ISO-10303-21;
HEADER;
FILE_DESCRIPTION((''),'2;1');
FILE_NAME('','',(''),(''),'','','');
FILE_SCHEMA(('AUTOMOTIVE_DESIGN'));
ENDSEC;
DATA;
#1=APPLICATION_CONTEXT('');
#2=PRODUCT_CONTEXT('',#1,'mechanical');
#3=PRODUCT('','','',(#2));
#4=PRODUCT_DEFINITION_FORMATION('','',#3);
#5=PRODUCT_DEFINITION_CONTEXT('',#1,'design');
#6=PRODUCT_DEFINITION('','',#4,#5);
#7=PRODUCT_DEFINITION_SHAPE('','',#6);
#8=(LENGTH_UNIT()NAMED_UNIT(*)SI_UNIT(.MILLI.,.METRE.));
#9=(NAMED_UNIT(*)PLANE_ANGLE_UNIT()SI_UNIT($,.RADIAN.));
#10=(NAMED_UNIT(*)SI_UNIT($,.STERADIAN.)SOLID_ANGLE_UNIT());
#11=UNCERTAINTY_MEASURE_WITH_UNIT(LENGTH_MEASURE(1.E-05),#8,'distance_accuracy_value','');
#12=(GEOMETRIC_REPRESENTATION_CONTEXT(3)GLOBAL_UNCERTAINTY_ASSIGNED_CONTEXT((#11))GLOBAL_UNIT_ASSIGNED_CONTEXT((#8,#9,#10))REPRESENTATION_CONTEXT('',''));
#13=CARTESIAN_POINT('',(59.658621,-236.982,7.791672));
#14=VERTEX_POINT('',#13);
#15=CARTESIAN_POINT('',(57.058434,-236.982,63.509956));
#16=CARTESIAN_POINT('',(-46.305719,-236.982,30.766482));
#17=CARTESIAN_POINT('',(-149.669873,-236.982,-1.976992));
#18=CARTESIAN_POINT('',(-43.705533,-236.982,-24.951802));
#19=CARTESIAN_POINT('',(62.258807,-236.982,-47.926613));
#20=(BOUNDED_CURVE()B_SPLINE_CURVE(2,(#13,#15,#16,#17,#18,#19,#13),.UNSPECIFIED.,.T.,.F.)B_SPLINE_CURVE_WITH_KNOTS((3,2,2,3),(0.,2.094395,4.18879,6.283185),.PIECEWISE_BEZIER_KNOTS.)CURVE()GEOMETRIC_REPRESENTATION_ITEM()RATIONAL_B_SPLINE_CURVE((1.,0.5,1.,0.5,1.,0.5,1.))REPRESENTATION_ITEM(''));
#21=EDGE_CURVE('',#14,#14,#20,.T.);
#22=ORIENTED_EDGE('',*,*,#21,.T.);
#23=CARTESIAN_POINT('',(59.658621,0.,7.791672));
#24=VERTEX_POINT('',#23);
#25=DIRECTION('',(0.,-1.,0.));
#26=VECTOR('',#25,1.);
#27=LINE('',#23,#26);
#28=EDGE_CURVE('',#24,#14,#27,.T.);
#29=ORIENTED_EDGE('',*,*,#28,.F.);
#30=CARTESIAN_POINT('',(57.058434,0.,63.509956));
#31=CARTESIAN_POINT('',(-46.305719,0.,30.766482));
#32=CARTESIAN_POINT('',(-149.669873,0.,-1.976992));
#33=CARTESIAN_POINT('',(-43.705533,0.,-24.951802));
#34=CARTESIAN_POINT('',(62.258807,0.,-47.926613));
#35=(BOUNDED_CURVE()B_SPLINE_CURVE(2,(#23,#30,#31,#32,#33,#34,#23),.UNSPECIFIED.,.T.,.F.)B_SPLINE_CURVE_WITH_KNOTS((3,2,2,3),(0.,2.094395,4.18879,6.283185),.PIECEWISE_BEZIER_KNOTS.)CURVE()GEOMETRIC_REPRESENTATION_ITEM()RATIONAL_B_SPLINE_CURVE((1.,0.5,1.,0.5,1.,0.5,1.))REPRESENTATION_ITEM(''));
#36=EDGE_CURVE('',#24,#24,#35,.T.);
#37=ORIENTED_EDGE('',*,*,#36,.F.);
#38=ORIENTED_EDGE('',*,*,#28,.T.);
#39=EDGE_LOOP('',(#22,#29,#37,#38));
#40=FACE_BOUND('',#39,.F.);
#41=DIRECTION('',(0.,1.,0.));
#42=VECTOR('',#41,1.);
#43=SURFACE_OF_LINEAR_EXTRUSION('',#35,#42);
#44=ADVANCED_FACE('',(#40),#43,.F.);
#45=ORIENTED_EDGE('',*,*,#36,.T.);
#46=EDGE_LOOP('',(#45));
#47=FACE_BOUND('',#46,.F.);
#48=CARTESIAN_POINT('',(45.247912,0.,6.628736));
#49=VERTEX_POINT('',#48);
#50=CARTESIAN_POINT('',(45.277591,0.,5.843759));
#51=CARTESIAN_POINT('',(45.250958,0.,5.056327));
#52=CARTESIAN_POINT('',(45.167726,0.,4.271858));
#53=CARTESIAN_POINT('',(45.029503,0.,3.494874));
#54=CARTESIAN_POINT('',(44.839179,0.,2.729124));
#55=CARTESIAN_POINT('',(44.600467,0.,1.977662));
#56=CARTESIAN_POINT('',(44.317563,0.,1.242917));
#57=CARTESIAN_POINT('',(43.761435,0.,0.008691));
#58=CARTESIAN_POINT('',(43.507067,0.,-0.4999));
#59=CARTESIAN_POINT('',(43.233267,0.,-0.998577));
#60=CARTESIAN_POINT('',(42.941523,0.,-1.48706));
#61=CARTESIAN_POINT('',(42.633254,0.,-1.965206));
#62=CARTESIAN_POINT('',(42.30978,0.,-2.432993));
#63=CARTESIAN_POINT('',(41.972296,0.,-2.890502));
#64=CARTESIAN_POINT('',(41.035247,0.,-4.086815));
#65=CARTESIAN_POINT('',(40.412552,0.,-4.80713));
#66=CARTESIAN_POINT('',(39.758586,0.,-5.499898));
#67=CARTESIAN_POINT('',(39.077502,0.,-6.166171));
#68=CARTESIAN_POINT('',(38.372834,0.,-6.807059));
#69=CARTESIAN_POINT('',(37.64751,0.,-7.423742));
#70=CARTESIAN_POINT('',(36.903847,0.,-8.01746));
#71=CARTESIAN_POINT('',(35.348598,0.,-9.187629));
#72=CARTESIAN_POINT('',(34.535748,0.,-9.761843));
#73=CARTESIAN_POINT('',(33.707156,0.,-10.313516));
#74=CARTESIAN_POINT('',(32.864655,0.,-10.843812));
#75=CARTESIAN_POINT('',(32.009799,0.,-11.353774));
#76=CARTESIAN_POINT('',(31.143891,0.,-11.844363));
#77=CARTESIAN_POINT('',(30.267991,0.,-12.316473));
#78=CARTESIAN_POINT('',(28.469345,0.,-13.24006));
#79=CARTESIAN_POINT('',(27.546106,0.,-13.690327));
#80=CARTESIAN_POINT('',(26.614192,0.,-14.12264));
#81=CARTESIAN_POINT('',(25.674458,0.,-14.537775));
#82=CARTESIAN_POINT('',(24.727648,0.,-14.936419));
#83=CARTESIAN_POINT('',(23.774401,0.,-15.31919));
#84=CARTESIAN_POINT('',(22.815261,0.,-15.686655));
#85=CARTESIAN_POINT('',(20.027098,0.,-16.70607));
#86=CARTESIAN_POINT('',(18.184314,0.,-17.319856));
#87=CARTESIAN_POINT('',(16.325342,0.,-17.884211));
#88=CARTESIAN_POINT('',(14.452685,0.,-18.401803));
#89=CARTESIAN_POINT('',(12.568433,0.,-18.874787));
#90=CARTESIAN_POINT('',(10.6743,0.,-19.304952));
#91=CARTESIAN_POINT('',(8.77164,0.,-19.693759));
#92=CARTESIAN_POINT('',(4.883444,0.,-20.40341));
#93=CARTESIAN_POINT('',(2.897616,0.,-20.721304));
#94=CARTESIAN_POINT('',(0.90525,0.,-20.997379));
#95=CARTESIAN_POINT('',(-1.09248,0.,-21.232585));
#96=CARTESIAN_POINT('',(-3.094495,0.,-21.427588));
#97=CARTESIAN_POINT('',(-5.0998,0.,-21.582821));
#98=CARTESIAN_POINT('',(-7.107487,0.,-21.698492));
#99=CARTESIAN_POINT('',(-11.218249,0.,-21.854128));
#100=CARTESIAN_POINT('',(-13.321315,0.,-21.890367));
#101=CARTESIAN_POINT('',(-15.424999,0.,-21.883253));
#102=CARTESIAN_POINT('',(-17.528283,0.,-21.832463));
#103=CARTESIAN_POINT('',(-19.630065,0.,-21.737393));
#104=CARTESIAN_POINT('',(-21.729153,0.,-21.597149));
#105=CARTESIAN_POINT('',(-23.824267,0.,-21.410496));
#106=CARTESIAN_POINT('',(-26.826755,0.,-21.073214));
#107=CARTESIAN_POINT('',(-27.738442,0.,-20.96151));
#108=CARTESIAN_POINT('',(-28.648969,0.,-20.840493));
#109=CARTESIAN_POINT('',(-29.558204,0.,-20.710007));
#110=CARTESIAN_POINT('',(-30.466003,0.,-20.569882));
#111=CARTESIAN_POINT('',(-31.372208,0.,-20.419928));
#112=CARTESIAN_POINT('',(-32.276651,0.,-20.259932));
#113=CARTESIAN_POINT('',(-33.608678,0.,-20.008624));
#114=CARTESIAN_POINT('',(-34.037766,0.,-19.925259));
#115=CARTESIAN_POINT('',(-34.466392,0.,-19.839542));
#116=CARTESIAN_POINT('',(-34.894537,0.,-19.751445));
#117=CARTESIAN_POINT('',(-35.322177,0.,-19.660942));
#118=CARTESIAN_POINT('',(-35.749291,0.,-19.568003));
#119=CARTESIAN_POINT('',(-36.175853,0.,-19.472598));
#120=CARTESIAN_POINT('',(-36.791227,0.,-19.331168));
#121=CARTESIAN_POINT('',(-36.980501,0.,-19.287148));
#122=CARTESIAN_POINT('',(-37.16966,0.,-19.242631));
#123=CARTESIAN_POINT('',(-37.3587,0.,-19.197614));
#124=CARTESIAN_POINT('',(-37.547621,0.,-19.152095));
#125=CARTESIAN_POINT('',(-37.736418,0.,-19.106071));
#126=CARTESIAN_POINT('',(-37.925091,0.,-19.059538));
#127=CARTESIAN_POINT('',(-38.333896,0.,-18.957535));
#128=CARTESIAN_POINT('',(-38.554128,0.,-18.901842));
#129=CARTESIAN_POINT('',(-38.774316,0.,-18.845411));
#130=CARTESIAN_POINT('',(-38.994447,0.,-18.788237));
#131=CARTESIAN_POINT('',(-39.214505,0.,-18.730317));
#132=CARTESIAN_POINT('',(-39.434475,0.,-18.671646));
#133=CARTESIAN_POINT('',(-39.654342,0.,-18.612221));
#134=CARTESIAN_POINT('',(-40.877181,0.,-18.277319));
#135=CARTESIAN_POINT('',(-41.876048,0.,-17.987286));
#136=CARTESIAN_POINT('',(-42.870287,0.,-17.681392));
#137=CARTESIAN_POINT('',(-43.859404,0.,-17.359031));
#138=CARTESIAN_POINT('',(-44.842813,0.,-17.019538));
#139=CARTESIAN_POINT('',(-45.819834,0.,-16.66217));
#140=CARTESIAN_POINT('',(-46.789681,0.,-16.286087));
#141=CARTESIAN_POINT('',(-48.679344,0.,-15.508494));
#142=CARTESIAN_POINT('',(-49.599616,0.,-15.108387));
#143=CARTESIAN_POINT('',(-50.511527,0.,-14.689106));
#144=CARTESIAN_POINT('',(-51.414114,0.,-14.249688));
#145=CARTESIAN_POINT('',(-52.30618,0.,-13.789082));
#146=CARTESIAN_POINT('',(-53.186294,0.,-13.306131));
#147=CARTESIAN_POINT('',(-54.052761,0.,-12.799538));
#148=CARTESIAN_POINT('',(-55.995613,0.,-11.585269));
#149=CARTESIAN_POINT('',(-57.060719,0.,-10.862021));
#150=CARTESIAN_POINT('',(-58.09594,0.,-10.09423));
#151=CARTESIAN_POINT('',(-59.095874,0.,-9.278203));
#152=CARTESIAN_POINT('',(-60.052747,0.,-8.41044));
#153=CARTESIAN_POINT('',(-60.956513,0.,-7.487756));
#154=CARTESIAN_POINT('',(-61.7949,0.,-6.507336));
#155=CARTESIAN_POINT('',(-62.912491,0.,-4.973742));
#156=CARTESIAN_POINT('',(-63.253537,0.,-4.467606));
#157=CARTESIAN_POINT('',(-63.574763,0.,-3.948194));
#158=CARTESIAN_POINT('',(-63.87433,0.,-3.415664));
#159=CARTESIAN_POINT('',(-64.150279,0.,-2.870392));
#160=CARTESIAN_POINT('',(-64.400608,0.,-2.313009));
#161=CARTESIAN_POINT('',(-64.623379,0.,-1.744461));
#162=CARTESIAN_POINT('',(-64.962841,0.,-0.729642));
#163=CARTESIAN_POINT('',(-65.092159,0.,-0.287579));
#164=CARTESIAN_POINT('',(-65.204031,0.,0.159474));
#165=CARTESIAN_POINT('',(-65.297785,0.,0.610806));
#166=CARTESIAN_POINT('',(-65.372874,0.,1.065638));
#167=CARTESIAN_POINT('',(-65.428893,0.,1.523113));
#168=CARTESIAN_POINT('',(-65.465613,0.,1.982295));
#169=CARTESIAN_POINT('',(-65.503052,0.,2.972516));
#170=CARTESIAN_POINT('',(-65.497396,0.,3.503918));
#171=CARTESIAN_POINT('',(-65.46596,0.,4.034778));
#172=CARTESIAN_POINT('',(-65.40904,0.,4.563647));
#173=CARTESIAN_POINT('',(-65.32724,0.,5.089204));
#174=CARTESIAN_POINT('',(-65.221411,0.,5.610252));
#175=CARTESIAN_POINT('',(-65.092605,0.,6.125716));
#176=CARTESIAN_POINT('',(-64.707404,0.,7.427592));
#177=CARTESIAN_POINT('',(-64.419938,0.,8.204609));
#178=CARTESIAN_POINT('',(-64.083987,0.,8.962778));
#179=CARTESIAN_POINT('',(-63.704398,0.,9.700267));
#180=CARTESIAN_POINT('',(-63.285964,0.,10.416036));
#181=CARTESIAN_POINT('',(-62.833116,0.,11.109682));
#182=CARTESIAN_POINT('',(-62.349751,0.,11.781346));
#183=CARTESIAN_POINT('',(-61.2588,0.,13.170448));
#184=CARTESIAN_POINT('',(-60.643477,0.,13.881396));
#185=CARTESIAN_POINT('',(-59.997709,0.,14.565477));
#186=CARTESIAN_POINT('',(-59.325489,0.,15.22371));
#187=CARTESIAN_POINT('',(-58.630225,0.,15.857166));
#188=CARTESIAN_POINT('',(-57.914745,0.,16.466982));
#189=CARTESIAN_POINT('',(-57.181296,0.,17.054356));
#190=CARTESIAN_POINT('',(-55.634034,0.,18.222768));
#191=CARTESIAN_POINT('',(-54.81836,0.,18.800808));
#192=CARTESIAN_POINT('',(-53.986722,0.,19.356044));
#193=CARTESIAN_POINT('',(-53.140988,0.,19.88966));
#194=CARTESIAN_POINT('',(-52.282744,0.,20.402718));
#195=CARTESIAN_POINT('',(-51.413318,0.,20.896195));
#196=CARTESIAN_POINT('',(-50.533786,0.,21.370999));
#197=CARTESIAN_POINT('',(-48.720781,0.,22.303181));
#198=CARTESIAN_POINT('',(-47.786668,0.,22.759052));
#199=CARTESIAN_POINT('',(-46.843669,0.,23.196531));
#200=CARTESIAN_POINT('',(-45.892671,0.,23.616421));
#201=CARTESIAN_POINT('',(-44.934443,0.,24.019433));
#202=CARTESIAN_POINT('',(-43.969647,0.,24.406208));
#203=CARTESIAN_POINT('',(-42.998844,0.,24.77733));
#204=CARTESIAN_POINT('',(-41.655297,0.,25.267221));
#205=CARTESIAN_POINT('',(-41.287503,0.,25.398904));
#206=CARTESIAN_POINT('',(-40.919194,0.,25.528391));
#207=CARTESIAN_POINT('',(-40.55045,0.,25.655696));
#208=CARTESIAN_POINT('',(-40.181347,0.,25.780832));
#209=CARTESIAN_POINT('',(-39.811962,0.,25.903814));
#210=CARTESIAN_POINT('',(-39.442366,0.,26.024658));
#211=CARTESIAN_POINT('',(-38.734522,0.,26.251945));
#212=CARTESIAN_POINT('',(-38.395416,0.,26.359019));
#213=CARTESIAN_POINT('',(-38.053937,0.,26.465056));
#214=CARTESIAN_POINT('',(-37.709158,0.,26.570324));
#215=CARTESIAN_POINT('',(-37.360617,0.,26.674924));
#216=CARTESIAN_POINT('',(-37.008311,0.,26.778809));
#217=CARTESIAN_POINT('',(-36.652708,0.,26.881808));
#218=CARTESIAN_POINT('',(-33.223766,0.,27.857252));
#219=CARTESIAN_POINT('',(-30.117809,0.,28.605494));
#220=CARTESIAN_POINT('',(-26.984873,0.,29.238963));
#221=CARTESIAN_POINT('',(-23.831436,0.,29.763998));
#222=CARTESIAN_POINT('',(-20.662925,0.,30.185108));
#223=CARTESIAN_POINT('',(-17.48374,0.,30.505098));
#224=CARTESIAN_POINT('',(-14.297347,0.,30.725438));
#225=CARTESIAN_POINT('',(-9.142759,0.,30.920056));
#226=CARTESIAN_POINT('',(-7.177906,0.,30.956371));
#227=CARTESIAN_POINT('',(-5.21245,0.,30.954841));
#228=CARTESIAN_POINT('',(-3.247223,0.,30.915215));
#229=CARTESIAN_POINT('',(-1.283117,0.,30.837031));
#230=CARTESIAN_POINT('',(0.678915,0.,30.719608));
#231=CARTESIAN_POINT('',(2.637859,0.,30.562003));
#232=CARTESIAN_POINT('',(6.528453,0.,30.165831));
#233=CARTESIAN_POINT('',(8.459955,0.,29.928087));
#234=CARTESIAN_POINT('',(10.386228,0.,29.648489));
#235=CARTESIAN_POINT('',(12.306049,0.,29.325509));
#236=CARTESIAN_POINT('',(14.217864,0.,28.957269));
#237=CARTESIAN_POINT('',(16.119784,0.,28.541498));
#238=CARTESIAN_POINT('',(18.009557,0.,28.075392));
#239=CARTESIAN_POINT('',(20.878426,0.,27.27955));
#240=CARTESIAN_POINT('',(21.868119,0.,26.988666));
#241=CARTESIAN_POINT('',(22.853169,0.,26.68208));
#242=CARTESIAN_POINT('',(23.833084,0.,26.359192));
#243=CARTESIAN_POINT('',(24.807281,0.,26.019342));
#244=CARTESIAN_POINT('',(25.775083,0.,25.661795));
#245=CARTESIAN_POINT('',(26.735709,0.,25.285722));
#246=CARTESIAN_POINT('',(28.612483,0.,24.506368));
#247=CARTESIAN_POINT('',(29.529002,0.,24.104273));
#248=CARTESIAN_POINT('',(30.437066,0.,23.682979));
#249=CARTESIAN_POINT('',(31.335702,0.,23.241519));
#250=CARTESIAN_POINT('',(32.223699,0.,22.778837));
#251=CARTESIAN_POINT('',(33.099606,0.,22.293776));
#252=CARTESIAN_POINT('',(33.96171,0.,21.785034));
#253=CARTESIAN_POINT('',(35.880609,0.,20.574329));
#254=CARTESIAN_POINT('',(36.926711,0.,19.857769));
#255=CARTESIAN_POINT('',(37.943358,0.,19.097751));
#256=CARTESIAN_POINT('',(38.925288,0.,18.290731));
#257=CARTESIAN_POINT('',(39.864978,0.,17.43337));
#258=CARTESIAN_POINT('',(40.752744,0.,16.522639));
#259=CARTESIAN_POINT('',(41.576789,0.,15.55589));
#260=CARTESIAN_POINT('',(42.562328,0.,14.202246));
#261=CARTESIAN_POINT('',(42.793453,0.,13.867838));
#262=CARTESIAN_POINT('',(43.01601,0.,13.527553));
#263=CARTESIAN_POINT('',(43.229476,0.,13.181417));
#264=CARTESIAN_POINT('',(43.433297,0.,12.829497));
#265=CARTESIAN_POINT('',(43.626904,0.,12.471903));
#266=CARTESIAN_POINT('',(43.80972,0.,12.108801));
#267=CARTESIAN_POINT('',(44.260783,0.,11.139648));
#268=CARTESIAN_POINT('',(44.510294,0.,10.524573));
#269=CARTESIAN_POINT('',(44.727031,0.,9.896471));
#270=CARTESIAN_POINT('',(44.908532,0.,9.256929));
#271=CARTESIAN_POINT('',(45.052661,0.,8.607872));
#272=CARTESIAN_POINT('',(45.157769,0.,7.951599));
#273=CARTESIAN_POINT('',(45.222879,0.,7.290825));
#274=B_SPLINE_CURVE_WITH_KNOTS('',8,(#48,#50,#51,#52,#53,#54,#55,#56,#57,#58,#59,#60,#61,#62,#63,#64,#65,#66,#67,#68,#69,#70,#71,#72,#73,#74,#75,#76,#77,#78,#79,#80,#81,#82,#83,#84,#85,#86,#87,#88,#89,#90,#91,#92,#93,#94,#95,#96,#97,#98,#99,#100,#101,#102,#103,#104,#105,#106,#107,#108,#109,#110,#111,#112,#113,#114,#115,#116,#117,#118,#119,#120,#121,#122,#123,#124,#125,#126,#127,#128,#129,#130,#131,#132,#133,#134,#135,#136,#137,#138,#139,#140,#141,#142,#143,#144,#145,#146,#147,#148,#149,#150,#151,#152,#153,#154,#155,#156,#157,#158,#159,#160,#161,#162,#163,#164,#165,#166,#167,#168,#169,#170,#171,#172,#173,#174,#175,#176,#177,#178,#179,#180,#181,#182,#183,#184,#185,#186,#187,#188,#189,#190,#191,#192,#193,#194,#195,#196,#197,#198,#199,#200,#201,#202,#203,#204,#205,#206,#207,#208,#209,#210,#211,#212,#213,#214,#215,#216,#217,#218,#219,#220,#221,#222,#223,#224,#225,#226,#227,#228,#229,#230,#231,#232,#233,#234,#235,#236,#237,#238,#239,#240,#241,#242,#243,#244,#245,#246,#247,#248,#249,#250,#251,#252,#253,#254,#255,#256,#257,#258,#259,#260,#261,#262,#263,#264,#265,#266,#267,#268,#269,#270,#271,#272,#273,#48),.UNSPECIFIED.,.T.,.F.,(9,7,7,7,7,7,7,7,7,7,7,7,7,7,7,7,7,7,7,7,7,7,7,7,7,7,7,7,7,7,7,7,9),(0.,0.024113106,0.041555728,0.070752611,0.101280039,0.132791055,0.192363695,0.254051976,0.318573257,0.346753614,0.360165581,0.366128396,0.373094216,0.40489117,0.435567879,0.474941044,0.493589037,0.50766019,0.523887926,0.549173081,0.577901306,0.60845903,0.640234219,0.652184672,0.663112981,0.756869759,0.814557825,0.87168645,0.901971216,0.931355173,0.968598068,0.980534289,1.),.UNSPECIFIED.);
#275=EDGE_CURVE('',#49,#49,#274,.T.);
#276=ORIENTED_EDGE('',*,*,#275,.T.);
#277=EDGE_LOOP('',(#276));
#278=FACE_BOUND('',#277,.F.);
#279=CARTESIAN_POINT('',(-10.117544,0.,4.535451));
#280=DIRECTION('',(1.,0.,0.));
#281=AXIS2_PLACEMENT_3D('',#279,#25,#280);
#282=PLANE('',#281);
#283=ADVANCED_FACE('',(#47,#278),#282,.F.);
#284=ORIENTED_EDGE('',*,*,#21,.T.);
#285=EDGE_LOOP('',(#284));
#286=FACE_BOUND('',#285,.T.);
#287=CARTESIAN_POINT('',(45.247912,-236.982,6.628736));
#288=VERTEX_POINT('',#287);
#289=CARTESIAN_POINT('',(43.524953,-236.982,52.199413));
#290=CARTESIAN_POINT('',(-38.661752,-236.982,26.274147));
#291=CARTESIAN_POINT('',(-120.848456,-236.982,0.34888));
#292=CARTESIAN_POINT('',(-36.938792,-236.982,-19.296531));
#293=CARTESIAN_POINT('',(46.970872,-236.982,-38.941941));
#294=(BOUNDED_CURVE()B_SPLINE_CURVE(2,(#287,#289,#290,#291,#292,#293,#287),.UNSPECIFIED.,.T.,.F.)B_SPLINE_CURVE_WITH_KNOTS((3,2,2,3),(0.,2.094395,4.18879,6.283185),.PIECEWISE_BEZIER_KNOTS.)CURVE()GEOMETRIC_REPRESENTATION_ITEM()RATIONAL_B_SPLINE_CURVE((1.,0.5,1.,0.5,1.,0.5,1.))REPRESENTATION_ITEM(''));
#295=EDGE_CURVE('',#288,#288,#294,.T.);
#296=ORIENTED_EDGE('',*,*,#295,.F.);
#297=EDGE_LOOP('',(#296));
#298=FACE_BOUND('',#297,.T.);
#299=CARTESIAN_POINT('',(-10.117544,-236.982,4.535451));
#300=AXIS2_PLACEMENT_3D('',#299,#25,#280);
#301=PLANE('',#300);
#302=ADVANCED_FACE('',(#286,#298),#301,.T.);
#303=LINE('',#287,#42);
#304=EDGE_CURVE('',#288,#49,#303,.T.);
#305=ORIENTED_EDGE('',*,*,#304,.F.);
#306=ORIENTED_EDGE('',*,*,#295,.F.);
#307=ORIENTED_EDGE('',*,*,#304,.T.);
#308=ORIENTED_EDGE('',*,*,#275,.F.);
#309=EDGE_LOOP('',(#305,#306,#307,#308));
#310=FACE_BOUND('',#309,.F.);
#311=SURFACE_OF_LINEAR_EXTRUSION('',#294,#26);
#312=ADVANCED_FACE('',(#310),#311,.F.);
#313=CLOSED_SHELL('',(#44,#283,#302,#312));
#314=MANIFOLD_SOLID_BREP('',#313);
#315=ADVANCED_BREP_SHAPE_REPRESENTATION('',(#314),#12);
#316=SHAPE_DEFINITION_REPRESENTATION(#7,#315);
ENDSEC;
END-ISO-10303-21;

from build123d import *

# Parameters (mm, degrees)
F1_DEPTH = 236.982
F3_DEPTH = 238.76


with BuildPart() as f1:
    # F0 (on Front) → F1 (new body)
    with BuildSketch(Plane.XZ):
        with BuildLine():
            add(Edge.make_bspline(
                [(59.658621, 7.791672), (57.058434, 63.509956), (-46.305719, 30.766482), (-149.669873, -1.976992), (-43.705533, -24.951802), (62.258807, -47.926613), (59.658621, 7.791672)],
                knots=[0, 0, 0, 2.094395, 2.094395, 4.18879, 4.18879, 6.283185, 6.283185, 6.283185], degree=2, weights=[1, 0.5, 1, 0.5, 1, 0.5, 1]))
        make_face()
    extrude(amount=F1_DEPTH)

    # F2 (on face) → F3 (cut)
    with BuildSketch(Plane.XZ.offset(236.982)):
        with BuildLine():
            add(Edge.make_bspline(
                [(45.247912, 6.628736), (43.524953, 52.199413), (-38.661752, 26.274147), (-120.848456, 0.34888), (-36.938792, -19.296531), (46.970872, -38.941941), (45.247912, 6.628736)],
                knots=[0, 0, 0, 2.094395, 2.094395, 4.18879, 4.18879, 6.283185, 6.283185, 6.283185], degree=2, weights=[1, 0.5, 1, 0.5, 1, 0.5, 1]))
        make_face()
    extrude(amount=-F3_DEPTH, mode=Mode.SUBTRACT)


solid = f1.part
